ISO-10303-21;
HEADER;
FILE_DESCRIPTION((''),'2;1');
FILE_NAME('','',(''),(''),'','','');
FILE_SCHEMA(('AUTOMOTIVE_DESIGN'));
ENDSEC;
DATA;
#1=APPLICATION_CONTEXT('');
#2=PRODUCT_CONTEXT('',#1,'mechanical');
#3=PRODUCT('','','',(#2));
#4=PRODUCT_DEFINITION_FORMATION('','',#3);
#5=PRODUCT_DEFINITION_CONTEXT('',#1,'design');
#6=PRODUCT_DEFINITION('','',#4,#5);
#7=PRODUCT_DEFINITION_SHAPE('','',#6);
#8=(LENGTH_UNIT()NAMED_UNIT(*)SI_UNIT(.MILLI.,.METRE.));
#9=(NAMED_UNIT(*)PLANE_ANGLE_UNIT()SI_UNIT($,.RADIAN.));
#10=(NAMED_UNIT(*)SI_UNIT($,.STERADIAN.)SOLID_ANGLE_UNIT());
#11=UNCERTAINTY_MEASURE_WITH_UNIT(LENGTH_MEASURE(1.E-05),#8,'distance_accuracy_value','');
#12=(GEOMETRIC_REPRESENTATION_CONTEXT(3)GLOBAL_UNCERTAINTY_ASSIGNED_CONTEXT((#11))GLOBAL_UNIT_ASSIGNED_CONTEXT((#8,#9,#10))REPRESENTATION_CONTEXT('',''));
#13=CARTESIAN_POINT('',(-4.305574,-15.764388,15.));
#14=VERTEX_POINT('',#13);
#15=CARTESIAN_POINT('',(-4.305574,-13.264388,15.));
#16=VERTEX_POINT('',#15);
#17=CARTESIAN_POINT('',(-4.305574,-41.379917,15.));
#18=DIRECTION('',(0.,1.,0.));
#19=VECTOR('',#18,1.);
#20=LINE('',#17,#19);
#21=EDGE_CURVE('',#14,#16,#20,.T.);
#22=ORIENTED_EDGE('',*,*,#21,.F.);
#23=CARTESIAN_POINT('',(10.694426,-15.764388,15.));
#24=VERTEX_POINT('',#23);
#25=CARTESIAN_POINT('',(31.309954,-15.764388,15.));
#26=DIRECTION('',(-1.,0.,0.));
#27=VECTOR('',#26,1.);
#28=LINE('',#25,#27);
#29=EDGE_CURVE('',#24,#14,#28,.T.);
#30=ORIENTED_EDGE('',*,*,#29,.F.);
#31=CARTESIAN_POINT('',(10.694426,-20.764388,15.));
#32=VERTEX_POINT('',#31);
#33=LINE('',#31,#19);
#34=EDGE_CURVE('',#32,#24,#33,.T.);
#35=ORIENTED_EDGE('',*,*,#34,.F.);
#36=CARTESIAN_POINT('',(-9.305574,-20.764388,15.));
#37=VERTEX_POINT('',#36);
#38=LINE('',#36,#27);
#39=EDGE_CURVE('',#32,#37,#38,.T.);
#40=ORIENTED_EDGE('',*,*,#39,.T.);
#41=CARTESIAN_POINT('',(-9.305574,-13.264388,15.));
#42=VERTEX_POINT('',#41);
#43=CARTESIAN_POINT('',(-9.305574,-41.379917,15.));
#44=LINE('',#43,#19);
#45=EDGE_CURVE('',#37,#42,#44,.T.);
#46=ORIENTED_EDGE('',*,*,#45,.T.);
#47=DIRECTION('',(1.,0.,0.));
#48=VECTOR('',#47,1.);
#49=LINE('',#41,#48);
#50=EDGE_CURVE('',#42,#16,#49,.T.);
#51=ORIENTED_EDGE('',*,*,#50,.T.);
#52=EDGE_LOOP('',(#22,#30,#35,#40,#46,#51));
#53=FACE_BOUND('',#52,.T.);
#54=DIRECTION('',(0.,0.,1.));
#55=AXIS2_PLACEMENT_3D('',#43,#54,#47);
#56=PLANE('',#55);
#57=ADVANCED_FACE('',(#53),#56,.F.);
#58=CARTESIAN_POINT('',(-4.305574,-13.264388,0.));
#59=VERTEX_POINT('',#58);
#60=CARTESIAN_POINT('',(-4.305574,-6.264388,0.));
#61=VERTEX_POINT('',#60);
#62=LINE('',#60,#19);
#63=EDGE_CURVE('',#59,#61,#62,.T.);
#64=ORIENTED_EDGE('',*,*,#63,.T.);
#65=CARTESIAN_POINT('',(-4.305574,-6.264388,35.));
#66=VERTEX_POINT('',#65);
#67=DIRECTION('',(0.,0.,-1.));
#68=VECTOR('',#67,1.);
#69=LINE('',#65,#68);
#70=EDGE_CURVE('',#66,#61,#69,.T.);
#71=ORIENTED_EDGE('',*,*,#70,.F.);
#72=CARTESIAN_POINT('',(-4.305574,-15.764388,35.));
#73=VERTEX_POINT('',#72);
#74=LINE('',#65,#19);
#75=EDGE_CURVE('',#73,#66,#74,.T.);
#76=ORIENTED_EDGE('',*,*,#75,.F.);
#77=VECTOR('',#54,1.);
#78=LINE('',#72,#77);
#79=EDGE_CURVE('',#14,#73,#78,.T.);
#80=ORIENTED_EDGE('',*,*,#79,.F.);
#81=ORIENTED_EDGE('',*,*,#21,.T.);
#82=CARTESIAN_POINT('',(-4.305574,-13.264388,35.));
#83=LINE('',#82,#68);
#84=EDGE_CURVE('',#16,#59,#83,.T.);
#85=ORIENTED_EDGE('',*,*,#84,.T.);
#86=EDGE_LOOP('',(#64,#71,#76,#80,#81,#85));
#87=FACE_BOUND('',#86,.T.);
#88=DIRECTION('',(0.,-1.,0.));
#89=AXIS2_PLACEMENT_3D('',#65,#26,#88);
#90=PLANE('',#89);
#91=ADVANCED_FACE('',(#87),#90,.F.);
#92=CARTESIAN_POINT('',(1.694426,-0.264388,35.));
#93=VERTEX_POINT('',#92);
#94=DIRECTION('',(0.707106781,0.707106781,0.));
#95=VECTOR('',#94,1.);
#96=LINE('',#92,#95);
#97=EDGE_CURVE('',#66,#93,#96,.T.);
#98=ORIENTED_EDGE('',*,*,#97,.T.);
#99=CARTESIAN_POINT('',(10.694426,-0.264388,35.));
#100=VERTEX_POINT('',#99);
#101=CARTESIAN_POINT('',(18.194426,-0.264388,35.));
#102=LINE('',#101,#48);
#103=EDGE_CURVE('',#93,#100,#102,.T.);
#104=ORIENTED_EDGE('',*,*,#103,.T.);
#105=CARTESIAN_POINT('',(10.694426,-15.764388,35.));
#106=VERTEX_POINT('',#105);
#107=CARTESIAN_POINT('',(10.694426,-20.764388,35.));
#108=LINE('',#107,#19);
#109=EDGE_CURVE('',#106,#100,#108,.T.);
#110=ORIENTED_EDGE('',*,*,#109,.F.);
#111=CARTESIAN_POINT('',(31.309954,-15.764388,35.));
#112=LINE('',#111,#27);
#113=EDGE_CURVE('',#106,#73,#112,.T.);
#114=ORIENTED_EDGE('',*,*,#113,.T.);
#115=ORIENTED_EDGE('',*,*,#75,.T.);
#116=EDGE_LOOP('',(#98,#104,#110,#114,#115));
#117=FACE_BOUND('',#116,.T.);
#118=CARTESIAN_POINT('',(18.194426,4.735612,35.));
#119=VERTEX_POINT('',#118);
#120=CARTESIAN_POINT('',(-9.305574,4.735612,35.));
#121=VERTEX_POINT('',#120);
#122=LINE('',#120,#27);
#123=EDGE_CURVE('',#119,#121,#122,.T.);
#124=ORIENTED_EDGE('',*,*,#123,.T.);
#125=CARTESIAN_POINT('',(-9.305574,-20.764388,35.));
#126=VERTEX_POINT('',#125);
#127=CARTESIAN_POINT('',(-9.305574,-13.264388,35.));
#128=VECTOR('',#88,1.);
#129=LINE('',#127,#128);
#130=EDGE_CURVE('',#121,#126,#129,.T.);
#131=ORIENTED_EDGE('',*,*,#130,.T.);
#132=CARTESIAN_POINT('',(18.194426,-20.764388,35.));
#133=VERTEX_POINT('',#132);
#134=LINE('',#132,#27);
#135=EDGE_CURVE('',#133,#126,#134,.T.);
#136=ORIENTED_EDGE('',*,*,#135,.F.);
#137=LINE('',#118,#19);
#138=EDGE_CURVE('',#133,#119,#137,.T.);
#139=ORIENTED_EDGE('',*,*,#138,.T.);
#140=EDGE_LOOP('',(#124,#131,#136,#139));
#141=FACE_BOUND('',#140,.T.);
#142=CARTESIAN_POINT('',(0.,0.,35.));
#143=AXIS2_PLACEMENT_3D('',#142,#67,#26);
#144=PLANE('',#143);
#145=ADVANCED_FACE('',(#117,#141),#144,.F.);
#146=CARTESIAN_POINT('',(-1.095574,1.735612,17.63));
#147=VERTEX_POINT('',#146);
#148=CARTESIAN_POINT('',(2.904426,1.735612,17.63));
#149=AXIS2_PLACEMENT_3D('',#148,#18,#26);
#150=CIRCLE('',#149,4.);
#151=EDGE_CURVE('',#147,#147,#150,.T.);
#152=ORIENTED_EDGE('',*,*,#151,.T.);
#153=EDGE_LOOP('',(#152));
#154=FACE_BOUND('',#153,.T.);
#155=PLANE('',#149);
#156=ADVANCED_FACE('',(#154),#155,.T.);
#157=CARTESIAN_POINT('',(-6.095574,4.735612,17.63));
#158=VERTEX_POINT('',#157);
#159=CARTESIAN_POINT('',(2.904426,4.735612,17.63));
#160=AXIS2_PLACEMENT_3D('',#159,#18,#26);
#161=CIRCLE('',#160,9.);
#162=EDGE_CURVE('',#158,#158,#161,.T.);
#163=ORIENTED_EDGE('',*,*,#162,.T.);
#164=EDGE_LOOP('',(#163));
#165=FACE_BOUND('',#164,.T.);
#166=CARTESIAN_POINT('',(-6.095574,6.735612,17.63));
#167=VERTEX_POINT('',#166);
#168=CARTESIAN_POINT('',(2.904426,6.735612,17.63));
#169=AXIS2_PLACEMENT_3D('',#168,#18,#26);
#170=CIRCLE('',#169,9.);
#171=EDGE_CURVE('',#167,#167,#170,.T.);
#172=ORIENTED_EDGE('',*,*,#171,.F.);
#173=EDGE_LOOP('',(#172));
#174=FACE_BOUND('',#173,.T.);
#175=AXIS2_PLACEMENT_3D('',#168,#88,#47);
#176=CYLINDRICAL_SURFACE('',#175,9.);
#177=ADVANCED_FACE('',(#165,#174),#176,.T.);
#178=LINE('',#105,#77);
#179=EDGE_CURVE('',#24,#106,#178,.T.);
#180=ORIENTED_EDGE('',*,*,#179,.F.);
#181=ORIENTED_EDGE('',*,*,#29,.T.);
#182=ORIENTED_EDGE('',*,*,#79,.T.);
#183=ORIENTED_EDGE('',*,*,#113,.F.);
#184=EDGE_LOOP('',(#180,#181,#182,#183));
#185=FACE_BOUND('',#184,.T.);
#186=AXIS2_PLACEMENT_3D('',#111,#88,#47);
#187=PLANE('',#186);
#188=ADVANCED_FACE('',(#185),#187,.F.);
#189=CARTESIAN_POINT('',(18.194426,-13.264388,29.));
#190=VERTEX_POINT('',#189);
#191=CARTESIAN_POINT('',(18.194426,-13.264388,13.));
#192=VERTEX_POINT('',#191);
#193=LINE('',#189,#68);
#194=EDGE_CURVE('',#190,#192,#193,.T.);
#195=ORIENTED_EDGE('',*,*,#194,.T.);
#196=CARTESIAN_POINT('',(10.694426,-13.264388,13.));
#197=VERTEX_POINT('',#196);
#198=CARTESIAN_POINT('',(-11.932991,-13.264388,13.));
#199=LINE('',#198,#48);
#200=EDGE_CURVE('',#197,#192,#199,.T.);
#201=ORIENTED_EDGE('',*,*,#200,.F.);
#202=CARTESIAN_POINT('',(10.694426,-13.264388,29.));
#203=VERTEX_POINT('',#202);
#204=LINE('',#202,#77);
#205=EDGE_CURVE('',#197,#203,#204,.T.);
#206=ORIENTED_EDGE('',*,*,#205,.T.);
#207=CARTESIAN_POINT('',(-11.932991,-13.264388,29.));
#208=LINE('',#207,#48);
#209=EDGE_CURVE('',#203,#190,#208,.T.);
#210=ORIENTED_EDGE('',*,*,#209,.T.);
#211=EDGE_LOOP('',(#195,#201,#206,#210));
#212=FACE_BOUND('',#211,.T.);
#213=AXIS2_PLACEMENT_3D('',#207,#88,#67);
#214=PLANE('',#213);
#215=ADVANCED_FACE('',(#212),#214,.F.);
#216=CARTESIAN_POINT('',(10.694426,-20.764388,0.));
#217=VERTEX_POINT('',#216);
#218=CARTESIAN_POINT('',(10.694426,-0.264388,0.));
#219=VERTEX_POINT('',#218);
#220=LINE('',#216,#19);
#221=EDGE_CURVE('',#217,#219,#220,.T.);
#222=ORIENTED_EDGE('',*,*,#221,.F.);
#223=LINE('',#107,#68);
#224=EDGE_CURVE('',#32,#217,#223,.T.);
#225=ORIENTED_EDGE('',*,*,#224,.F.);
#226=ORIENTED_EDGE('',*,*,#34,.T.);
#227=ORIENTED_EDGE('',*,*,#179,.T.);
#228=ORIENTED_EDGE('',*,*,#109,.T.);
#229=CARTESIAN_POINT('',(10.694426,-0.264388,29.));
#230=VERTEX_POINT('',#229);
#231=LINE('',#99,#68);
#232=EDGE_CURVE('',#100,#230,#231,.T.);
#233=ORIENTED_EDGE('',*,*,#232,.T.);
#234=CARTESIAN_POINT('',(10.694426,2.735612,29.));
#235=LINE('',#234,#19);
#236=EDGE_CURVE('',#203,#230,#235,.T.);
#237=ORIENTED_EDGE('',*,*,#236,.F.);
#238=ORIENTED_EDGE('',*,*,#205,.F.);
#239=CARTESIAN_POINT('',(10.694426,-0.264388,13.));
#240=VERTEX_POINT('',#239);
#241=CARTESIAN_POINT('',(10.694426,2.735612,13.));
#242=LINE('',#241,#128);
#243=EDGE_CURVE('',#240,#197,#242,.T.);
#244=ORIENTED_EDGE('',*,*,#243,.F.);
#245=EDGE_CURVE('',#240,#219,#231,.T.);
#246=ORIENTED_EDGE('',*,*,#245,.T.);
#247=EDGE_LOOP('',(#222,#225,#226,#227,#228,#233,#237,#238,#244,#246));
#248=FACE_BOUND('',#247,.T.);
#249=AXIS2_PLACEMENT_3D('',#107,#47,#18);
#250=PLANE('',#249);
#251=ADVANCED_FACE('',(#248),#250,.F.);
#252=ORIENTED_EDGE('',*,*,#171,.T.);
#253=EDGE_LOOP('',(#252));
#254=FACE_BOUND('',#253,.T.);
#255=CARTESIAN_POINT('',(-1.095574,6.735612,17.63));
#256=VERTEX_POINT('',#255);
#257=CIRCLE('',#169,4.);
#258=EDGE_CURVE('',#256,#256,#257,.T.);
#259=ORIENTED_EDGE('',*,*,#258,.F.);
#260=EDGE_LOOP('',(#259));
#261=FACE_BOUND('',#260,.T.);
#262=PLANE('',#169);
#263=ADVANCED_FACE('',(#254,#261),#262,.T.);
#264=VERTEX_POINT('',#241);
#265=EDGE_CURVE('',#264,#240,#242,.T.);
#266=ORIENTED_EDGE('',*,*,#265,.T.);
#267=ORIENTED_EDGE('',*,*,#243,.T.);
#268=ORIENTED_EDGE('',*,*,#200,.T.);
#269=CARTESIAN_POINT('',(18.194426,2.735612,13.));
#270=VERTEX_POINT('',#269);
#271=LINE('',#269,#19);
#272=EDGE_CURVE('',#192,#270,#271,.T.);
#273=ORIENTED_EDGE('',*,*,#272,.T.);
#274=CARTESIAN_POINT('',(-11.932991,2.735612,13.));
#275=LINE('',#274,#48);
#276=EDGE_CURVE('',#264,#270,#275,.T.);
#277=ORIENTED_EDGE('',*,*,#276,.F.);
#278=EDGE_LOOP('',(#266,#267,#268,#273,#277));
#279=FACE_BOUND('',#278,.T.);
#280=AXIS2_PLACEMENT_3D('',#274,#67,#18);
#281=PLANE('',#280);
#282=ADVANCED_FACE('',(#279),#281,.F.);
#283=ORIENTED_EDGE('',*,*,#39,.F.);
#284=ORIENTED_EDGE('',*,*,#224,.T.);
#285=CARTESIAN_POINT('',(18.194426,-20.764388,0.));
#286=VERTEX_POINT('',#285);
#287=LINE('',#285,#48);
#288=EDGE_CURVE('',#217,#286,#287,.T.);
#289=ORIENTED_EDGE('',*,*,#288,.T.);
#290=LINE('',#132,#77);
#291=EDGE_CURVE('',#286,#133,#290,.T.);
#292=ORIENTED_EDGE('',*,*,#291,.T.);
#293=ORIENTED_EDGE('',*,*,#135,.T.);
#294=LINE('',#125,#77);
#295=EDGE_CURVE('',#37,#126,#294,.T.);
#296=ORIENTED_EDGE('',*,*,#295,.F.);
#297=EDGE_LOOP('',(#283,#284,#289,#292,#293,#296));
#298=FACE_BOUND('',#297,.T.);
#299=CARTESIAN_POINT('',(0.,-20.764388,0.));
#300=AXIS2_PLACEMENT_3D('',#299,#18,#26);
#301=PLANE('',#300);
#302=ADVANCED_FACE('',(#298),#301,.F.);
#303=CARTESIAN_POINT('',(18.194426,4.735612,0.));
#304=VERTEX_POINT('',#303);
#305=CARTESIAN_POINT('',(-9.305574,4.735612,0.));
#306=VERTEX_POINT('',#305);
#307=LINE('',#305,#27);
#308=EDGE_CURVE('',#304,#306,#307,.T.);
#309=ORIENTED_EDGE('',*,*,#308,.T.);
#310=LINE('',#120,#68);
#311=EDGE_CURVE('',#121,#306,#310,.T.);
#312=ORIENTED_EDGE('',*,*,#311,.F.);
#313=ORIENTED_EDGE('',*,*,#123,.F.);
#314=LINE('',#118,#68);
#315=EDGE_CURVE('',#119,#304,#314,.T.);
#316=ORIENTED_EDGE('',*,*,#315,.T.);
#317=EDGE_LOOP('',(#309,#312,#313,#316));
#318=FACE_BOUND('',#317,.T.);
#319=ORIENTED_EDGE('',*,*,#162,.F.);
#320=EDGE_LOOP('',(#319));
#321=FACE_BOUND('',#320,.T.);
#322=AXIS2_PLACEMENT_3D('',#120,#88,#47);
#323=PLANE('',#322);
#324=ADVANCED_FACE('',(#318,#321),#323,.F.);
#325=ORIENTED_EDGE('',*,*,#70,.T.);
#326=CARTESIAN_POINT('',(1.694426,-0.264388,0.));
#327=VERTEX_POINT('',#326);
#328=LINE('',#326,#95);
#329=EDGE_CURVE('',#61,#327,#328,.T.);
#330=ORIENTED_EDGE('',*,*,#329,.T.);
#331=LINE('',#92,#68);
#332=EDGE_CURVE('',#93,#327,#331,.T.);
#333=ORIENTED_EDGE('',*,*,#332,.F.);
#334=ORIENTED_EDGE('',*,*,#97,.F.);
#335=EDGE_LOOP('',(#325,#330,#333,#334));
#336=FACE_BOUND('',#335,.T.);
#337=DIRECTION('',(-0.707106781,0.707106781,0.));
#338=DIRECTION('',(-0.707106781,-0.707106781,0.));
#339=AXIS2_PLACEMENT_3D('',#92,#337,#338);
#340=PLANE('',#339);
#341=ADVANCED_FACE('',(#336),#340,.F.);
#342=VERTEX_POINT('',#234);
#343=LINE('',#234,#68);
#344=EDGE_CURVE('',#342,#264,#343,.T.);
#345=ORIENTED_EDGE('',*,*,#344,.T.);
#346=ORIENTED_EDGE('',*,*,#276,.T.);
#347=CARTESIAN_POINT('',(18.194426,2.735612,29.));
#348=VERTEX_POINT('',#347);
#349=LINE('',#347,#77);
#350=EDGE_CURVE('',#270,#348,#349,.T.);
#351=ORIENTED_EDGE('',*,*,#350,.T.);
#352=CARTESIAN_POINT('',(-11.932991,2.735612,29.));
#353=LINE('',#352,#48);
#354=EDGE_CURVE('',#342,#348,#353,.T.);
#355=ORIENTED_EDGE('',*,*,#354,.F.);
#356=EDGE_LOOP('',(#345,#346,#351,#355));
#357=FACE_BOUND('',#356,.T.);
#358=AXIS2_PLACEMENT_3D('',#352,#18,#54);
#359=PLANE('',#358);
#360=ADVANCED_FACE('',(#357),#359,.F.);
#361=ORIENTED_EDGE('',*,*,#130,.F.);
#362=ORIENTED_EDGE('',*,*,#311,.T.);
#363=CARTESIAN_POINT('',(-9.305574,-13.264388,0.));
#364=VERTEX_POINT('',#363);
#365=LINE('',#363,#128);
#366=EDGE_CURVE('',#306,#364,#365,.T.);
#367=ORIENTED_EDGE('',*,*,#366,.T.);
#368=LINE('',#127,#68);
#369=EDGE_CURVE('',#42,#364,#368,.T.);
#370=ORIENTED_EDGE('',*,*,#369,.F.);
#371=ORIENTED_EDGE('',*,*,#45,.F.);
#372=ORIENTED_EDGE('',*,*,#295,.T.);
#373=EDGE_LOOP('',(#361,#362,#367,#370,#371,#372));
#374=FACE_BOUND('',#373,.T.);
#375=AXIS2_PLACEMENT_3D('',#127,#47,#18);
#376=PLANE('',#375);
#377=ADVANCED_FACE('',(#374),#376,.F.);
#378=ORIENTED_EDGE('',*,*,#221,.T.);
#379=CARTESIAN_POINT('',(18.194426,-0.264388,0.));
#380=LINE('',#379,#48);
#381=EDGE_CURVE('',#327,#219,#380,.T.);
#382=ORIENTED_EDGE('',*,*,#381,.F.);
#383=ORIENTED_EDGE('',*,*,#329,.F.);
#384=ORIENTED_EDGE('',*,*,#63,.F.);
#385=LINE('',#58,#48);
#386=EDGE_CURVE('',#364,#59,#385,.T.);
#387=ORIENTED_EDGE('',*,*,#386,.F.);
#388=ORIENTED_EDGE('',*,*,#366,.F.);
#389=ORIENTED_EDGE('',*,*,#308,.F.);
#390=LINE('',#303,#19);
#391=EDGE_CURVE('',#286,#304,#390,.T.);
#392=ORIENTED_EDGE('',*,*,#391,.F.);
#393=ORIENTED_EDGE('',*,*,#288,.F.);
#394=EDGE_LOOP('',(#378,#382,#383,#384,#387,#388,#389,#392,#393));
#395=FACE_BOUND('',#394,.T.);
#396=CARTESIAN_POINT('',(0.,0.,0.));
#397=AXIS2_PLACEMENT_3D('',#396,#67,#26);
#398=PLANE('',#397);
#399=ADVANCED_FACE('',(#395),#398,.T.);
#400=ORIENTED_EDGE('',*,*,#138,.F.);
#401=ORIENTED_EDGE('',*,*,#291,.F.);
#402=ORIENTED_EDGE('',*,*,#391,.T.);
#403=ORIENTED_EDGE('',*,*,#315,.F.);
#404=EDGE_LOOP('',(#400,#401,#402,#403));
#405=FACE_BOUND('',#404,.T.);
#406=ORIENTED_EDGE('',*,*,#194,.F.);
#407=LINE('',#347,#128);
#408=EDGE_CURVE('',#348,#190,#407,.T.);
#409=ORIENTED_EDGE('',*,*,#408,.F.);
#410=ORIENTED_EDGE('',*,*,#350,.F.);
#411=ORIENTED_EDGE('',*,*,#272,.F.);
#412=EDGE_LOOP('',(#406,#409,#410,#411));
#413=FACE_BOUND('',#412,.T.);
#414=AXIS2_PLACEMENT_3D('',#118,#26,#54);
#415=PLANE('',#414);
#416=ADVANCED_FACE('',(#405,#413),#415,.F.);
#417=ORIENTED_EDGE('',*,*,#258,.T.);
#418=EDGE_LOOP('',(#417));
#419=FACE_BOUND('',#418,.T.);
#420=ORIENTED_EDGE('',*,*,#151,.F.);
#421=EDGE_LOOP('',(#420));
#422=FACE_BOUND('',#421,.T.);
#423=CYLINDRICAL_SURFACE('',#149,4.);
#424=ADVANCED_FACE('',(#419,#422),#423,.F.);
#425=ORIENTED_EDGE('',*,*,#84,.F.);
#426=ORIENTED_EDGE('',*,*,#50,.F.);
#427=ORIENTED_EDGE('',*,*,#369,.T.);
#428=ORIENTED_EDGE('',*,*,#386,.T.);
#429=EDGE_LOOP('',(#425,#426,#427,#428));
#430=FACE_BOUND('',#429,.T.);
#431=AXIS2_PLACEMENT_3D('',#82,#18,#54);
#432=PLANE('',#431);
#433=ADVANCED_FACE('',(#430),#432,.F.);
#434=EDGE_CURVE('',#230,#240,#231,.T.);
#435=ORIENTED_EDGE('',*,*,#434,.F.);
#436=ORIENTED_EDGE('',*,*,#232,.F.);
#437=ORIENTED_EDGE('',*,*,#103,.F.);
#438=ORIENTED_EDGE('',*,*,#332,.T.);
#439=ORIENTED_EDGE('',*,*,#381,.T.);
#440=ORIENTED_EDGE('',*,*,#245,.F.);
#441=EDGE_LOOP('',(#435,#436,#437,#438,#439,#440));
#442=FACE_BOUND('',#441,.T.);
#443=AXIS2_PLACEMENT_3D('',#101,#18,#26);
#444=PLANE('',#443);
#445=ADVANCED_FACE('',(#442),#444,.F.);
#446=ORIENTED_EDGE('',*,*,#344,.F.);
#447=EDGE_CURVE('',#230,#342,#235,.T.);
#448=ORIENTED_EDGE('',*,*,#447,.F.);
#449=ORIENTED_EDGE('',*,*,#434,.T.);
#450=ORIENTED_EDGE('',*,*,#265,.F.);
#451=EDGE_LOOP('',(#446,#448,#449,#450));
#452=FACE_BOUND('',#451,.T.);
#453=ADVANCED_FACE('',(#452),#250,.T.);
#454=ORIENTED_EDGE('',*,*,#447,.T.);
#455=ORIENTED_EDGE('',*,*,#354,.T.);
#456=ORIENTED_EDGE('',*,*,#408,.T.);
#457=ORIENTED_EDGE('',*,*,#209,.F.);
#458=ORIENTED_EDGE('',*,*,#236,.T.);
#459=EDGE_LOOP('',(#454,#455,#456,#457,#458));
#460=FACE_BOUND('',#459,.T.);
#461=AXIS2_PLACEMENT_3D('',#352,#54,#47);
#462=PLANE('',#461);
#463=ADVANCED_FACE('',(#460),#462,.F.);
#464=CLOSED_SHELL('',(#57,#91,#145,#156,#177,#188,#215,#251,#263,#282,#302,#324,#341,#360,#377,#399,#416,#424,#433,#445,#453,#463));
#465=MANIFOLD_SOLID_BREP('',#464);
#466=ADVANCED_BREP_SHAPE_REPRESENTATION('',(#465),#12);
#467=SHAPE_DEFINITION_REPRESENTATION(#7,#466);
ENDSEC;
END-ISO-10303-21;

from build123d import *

# Parameters (mm, degrees)
BOSS_EXTRUDE1_DEPTH = 35
SKETCH2_R           = 9
BOSS_EXTRUDE2_DEPTH = 2
SKETCH3_R           = 4
CUT_EXTRUDE1_DEPTH  = 5
SKETCH4_W           = 7.5
SKETCH4_H           = 35
BOSS_EXTRUDE3_DEPTH = 20.5
BOSS_EXTRUDE4_START = -7.5
SKETCH6_W           = 5
SKETCH6_H           = 25.5
BOSS_EXTRUDE4_DEPTH = 7.5
SKETCH7_W           = 5
SKETCH7_H           = 20
BOSS_EXTRUDE5_DEPTH = 7.5
SKETCH8_W           = 20
SKETCH8_H           = 5
BOSS_EXTRUDE6_DEPTH = 15
SKETCH10_W          = 16
SKETCH10_H          = 16
CUT_EXTRUDE2_DEPTH  = 7.5


with BuildPart() as part:
    # Sketch1 → Boss-Extrude1 (new body)
    with BuildSketch(Plane.XY):
        Polygon((-9.305574102, 4.73561153), (18.194425898, 4.73561153), (18.194425898, -0.26438847), (1.694425898, -0.26438847), (-4.305574102, -6.26438847), (-4.305574102, -13.26438847), (-9.305574102, -13.26438847), align=None)
    extrude(amount=BOSS_EXTRUDE1_DEPTH)

    # Sketch2 → Boss-Extrude2 (add)
    with BuildSketch(Plane(origin=(0, 4.73561153, 0), x_dir=(1, 0, 0), z_dir=(0, 1, 0))):
        with Locations((2.904425898, -17.63)):
            Circle(SKETCH2_R)
    extrude(amount=BOSS_EXTRUDE2_DEPTH)

    # Sketch3 → Cut-Extrude1 (cut)
    with BuildSketch(Plane(origin=(0, 6.73561153, 0), x_dir=(1, 0, 0), z_dir=(0, 1, 0))):
        with Locations((2.904425898, -17.63)):
            Circle(SKETCH3_R)
    extrude(amount=-CUT_EXTRUDE1_DEPTH, mode=Mode.SUBTRACT)

    # Sketch4 → Boss-Extrude3 (add)
    with BuildSketch(Plane.XZ.offset(0.26438847)):
        with Locations((14.444425898, 17.5)):
            Rectangle(SKETCH4_W, SKETCH4_H)
    extrude(amount=BOSS_EXTRUDE3_DEPTH)

    # Sketch6 → Boss-Extrude4 (add)
    with BuildSketch(Plane(origin=(18.194425898, 0, 0), x_dir=(0, 0, -1), z_dir=(1, 0, 0)).offset(BOSS_EXTRUDE4_START)):
        with Locations((-2.5, -8.01438847)):
            Rectangle(SKETCH6_W, SKETCH6_H)
    extrude(amount=BOSS_EXTRUDE4_DEPTH)

    # Sketch7 → Boss-Extrude5 (add)
    with BuildSketch(Plane.XZ.offset(13.26438847)):
        with Locations((-6.805574102, 25)):
            Rectangle(SKETCH7_W, SKETCH7_H)
    extrude(amount=BOSS_EXTRUDE5_DEPTH)

    # Sketch8 → Boss-Extrude6 (add)
    with BuildSketch(Plane(origin=(-4.305574102, 0, 0), x_dir=(0, 0, -1), z_dir=(1, 0, 0))):
        with Locations((-25, -18.26438847)):
            Rectangle(SKETCH8_W, SKETCH8_H)
    extrude(amount=BOSS_EXTRUDE6_DEPTH)

    # Sketch10 → Cut-Extrude2 (cut)
    with BuildSketch(Plane(origin=(18.194425898, 0, 0), x_dir=(0, 0, -1), z_dir=(1, 0, 0))):
        with Locations((-21, -5.26438847)):
            Rectangle(SKETCH10_W, SKETCH10_H)
    extrude(amount=-CUT_EXTRUDE2_DEPTH, mode=Mode.SUBTRACT)


solid = part.part
